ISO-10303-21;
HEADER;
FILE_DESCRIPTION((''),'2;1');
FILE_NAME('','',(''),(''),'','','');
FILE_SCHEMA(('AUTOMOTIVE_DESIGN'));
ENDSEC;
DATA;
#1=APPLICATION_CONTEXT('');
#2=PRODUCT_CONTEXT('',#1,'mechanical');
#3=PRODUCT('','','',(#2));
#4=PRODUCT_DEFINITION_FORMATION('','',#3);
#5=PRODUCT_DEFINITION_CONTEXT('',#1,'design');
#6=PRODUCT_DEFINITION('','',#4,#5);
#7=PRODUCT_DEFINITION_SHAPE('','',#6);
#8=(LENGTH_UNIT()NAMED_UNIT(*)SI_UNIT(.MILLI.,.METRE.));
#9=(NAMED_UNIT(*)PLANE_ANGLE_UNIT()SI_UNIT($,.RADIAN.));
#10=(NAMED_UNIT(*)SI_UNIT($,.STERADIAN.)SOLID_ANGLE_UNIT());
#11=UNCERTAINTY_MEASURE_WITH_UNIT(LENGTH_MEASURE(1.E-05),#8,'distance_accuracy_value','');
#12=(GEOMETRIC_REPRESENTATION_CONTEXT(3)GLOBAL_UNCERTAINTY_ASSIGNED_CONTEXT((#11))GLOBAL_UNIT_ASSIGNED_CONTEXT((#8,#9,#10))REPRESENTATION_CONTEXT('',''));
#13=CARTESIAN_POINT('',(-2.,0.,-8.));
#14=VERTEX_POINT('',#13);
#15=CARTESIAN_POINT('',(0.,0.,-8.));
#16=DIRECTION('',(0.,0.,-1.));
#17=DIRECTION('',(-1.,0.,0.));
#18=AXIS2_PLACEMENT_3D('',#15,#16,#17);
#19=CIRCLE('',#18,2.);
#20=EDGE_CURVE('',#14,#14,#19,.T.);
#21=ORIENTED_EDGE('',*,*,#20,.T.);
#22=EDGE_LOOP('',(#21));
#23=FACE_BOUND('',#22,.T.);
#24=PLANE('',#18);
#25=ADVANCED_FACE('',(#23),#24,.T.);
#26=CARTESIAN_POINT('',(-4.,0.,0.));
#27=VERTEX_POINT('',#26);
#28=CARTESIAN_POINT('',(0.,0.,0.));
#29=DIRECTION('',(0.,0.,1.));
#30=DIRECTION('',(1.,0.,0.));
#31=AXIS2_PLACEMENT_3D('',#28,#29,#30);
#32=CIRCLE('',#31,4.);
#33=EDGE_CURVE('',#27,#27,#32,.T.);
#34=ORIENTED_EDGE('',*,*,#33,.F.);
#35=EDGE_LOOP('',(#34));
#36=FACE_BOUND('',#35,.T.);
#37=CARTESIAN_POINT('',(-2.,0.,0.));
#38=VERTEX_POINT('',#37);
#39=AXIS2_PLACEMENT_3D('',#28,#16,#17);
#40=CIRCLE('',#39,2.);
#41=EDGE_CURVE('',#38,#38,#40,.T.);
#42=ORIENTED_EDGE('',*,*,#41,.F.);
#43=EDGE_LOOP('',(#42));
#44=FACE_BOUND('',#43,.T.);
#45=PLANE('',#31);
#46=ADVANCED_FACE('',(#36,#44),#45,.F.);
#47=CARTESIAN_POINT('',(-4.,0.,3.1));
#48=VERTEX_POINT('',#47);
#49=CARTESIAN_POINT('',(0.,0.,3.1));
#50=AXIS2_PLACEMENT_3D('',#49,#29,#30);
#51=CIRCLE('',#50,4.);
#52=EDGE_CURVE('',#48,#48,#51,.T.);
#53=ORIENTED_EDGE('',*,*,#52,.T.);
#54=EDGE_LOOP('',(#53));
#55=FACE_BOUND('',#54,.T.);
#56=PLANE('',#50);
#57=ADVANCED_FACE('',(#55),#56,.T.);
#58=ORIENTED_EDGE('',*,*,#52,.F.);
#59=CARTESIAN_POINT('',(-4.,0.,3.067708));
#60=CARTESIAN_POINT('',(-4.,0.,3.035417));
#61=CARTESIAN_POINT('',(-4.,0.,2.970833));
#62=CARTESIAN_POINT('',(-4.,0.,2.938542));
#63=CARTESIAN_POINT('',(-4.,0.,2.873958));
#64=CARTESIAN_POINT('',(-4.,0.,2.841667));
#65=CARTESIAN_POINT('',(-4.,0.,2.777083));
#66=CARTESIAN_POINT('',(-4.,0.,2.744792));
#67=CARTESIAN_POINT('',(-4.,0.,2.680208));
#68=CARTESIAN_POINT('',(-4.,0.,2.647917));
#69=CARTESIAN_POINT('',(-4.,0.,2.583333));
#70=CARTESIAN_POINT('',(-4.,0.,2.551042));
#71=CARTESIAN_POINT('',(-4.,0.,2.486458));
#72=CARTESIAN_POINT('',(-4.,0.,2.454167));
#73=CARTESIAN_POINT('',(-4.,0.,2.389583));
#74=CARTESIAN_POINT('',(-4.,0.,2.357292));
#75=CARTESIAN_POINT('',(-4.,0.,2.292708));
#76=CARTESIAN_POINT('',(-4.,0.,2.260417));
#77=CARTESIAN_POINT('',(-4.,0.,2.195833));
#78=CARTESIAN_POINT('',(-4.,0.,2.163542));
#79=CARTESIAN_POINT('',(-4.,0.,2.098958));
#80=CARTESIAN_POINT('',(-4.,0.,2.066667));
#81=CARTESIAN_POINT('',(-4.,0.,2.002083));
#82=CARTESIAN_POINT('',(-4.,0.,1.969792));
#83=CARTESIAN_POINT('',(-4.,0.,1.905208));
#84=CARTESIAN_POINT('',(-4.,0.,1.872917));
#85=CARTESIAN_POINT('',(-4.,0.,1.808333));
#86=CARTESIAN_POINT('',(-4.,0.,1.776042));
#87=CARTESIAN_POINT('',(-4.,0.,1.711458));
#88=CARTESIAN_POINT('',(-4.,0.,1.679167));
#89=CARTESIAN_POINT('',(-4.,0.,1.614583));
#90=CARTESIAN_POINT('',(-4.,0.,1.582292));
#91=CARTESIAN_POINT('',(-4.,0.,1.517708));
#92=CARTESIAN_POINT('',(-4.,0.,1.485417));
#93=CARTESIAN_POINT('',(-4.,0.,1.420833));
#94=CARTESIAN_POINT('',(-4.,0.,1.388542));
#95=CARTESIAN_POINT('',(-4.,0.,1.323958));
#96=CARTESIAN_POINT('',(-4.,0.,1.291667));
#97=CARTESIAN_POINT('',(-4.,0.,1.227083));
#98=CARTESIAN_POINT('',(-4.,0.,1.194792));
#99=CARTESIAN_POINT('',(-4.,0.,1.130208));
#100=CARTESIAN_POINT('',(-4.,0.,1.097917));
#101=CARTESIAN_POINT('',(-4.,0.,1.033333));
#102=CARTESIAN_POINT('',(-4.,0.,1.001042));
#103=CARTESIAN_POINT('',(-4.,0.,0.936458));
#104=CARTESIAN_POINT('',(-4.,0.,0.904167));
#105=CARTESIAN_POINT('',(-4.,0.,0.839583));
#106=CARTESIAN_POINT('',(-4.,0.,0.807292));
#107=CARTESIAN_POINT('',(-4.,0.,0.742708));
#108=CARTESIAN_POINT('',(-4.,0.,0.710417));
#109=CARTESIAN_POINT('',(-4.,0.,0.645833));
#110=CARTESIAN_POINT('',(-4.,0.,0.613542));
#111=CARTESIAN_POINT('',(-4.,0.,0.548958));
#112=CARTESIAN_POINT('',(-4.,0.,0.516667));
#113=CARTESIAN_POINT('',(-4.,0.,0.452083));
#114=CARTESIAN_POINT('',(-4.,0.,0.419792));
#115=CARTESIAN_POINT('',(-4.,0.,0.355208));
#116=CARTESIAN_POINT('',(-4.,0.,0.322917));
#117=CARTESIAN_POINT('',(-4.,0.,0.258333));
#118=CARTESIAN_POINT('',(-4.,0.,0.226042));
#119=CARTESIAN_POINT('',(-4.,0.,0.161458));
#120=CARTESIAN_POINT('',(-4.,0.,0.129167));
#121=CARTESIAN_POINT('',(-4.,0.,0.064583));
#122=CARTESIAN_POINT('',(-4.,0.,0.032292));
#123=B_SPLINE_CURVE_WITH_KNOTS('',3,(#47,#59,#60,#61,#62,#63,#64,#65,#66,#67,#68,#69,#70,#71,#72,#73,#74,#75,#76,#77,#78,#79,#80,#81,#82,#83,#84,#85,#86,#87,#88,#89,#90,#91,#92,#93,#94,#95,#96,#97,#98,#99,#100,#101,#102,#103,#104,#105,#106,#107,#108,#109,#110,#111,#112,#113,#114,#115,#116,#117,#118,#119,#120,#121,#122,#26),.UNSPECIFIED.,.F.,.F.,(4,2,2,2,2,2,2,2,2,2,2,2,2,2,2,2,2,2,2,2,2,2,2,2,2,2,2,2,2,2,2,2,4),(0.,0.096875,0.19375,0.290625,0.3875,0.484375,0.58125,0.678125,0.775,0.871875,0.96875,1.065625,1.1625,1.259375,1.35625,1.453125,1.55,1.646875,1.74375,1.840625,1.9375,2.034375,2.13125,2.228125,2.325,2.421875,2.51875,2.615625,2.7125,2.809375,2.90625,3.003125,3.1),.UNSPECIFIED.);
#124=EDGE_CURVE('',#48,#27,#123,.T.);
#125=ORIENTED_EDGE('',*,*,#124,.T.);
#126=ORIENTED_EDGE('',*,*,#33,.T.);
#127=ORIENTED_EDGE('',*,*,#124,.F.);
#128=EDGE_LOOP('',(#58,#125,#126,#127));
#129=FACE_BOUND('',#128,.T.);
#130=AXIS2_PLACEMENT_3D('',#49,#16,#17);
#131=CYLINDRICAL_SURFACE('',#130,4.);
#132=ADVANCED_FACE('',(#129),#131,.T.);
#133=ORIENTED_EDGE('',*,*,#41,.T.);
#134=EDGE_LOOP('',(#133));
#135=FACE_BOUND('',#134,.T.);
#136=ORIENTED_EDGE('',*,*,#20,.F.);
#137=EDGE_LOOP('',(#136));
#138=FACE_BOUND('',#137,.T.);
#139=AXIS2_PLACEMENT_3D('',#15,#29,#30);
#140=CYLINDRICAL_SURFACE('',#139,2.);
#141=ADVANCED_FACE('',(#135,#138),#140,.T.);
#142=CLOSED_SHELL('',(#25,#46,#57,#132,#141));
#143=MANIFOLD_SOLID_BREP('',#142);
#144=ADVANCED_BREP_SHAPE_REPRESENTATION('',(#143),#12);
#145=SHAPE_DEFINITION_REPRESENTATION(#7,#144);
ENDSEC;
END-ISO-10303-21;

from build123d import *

# Parameters (mm, degrees)
ESQUISSE1_R        = 4
BOSS_EXTRU_1_DEPTH = 3.1
ESQUISSE2_R        = 2
BOSS_EXTRU_2_DEPTH = 8


with BuildPart() as part:
    # Esquisse1 → Boss.-Extru.1 (new body)
    with BuildSketch(Plane.XY):
        with Locations(Location((0, 0, 0), (0, 0, 180))):
            Circle(ESQUISSE1_R)
    extrude(amount=BOSS_EXTRU_1_DEPTH)

    # Esquisse2 → Boss.-Extru.2 (add)
    with BuildSketch(Plane(origin=(0, 0, 0), x_dir=(-1, 0, 0), z_dir=(0, 0, -1))):
        Circle(ESQUISSE2_R)
    extrude(amount=BOSS_EXTRU_2_DEPTH)


solid = part.part
